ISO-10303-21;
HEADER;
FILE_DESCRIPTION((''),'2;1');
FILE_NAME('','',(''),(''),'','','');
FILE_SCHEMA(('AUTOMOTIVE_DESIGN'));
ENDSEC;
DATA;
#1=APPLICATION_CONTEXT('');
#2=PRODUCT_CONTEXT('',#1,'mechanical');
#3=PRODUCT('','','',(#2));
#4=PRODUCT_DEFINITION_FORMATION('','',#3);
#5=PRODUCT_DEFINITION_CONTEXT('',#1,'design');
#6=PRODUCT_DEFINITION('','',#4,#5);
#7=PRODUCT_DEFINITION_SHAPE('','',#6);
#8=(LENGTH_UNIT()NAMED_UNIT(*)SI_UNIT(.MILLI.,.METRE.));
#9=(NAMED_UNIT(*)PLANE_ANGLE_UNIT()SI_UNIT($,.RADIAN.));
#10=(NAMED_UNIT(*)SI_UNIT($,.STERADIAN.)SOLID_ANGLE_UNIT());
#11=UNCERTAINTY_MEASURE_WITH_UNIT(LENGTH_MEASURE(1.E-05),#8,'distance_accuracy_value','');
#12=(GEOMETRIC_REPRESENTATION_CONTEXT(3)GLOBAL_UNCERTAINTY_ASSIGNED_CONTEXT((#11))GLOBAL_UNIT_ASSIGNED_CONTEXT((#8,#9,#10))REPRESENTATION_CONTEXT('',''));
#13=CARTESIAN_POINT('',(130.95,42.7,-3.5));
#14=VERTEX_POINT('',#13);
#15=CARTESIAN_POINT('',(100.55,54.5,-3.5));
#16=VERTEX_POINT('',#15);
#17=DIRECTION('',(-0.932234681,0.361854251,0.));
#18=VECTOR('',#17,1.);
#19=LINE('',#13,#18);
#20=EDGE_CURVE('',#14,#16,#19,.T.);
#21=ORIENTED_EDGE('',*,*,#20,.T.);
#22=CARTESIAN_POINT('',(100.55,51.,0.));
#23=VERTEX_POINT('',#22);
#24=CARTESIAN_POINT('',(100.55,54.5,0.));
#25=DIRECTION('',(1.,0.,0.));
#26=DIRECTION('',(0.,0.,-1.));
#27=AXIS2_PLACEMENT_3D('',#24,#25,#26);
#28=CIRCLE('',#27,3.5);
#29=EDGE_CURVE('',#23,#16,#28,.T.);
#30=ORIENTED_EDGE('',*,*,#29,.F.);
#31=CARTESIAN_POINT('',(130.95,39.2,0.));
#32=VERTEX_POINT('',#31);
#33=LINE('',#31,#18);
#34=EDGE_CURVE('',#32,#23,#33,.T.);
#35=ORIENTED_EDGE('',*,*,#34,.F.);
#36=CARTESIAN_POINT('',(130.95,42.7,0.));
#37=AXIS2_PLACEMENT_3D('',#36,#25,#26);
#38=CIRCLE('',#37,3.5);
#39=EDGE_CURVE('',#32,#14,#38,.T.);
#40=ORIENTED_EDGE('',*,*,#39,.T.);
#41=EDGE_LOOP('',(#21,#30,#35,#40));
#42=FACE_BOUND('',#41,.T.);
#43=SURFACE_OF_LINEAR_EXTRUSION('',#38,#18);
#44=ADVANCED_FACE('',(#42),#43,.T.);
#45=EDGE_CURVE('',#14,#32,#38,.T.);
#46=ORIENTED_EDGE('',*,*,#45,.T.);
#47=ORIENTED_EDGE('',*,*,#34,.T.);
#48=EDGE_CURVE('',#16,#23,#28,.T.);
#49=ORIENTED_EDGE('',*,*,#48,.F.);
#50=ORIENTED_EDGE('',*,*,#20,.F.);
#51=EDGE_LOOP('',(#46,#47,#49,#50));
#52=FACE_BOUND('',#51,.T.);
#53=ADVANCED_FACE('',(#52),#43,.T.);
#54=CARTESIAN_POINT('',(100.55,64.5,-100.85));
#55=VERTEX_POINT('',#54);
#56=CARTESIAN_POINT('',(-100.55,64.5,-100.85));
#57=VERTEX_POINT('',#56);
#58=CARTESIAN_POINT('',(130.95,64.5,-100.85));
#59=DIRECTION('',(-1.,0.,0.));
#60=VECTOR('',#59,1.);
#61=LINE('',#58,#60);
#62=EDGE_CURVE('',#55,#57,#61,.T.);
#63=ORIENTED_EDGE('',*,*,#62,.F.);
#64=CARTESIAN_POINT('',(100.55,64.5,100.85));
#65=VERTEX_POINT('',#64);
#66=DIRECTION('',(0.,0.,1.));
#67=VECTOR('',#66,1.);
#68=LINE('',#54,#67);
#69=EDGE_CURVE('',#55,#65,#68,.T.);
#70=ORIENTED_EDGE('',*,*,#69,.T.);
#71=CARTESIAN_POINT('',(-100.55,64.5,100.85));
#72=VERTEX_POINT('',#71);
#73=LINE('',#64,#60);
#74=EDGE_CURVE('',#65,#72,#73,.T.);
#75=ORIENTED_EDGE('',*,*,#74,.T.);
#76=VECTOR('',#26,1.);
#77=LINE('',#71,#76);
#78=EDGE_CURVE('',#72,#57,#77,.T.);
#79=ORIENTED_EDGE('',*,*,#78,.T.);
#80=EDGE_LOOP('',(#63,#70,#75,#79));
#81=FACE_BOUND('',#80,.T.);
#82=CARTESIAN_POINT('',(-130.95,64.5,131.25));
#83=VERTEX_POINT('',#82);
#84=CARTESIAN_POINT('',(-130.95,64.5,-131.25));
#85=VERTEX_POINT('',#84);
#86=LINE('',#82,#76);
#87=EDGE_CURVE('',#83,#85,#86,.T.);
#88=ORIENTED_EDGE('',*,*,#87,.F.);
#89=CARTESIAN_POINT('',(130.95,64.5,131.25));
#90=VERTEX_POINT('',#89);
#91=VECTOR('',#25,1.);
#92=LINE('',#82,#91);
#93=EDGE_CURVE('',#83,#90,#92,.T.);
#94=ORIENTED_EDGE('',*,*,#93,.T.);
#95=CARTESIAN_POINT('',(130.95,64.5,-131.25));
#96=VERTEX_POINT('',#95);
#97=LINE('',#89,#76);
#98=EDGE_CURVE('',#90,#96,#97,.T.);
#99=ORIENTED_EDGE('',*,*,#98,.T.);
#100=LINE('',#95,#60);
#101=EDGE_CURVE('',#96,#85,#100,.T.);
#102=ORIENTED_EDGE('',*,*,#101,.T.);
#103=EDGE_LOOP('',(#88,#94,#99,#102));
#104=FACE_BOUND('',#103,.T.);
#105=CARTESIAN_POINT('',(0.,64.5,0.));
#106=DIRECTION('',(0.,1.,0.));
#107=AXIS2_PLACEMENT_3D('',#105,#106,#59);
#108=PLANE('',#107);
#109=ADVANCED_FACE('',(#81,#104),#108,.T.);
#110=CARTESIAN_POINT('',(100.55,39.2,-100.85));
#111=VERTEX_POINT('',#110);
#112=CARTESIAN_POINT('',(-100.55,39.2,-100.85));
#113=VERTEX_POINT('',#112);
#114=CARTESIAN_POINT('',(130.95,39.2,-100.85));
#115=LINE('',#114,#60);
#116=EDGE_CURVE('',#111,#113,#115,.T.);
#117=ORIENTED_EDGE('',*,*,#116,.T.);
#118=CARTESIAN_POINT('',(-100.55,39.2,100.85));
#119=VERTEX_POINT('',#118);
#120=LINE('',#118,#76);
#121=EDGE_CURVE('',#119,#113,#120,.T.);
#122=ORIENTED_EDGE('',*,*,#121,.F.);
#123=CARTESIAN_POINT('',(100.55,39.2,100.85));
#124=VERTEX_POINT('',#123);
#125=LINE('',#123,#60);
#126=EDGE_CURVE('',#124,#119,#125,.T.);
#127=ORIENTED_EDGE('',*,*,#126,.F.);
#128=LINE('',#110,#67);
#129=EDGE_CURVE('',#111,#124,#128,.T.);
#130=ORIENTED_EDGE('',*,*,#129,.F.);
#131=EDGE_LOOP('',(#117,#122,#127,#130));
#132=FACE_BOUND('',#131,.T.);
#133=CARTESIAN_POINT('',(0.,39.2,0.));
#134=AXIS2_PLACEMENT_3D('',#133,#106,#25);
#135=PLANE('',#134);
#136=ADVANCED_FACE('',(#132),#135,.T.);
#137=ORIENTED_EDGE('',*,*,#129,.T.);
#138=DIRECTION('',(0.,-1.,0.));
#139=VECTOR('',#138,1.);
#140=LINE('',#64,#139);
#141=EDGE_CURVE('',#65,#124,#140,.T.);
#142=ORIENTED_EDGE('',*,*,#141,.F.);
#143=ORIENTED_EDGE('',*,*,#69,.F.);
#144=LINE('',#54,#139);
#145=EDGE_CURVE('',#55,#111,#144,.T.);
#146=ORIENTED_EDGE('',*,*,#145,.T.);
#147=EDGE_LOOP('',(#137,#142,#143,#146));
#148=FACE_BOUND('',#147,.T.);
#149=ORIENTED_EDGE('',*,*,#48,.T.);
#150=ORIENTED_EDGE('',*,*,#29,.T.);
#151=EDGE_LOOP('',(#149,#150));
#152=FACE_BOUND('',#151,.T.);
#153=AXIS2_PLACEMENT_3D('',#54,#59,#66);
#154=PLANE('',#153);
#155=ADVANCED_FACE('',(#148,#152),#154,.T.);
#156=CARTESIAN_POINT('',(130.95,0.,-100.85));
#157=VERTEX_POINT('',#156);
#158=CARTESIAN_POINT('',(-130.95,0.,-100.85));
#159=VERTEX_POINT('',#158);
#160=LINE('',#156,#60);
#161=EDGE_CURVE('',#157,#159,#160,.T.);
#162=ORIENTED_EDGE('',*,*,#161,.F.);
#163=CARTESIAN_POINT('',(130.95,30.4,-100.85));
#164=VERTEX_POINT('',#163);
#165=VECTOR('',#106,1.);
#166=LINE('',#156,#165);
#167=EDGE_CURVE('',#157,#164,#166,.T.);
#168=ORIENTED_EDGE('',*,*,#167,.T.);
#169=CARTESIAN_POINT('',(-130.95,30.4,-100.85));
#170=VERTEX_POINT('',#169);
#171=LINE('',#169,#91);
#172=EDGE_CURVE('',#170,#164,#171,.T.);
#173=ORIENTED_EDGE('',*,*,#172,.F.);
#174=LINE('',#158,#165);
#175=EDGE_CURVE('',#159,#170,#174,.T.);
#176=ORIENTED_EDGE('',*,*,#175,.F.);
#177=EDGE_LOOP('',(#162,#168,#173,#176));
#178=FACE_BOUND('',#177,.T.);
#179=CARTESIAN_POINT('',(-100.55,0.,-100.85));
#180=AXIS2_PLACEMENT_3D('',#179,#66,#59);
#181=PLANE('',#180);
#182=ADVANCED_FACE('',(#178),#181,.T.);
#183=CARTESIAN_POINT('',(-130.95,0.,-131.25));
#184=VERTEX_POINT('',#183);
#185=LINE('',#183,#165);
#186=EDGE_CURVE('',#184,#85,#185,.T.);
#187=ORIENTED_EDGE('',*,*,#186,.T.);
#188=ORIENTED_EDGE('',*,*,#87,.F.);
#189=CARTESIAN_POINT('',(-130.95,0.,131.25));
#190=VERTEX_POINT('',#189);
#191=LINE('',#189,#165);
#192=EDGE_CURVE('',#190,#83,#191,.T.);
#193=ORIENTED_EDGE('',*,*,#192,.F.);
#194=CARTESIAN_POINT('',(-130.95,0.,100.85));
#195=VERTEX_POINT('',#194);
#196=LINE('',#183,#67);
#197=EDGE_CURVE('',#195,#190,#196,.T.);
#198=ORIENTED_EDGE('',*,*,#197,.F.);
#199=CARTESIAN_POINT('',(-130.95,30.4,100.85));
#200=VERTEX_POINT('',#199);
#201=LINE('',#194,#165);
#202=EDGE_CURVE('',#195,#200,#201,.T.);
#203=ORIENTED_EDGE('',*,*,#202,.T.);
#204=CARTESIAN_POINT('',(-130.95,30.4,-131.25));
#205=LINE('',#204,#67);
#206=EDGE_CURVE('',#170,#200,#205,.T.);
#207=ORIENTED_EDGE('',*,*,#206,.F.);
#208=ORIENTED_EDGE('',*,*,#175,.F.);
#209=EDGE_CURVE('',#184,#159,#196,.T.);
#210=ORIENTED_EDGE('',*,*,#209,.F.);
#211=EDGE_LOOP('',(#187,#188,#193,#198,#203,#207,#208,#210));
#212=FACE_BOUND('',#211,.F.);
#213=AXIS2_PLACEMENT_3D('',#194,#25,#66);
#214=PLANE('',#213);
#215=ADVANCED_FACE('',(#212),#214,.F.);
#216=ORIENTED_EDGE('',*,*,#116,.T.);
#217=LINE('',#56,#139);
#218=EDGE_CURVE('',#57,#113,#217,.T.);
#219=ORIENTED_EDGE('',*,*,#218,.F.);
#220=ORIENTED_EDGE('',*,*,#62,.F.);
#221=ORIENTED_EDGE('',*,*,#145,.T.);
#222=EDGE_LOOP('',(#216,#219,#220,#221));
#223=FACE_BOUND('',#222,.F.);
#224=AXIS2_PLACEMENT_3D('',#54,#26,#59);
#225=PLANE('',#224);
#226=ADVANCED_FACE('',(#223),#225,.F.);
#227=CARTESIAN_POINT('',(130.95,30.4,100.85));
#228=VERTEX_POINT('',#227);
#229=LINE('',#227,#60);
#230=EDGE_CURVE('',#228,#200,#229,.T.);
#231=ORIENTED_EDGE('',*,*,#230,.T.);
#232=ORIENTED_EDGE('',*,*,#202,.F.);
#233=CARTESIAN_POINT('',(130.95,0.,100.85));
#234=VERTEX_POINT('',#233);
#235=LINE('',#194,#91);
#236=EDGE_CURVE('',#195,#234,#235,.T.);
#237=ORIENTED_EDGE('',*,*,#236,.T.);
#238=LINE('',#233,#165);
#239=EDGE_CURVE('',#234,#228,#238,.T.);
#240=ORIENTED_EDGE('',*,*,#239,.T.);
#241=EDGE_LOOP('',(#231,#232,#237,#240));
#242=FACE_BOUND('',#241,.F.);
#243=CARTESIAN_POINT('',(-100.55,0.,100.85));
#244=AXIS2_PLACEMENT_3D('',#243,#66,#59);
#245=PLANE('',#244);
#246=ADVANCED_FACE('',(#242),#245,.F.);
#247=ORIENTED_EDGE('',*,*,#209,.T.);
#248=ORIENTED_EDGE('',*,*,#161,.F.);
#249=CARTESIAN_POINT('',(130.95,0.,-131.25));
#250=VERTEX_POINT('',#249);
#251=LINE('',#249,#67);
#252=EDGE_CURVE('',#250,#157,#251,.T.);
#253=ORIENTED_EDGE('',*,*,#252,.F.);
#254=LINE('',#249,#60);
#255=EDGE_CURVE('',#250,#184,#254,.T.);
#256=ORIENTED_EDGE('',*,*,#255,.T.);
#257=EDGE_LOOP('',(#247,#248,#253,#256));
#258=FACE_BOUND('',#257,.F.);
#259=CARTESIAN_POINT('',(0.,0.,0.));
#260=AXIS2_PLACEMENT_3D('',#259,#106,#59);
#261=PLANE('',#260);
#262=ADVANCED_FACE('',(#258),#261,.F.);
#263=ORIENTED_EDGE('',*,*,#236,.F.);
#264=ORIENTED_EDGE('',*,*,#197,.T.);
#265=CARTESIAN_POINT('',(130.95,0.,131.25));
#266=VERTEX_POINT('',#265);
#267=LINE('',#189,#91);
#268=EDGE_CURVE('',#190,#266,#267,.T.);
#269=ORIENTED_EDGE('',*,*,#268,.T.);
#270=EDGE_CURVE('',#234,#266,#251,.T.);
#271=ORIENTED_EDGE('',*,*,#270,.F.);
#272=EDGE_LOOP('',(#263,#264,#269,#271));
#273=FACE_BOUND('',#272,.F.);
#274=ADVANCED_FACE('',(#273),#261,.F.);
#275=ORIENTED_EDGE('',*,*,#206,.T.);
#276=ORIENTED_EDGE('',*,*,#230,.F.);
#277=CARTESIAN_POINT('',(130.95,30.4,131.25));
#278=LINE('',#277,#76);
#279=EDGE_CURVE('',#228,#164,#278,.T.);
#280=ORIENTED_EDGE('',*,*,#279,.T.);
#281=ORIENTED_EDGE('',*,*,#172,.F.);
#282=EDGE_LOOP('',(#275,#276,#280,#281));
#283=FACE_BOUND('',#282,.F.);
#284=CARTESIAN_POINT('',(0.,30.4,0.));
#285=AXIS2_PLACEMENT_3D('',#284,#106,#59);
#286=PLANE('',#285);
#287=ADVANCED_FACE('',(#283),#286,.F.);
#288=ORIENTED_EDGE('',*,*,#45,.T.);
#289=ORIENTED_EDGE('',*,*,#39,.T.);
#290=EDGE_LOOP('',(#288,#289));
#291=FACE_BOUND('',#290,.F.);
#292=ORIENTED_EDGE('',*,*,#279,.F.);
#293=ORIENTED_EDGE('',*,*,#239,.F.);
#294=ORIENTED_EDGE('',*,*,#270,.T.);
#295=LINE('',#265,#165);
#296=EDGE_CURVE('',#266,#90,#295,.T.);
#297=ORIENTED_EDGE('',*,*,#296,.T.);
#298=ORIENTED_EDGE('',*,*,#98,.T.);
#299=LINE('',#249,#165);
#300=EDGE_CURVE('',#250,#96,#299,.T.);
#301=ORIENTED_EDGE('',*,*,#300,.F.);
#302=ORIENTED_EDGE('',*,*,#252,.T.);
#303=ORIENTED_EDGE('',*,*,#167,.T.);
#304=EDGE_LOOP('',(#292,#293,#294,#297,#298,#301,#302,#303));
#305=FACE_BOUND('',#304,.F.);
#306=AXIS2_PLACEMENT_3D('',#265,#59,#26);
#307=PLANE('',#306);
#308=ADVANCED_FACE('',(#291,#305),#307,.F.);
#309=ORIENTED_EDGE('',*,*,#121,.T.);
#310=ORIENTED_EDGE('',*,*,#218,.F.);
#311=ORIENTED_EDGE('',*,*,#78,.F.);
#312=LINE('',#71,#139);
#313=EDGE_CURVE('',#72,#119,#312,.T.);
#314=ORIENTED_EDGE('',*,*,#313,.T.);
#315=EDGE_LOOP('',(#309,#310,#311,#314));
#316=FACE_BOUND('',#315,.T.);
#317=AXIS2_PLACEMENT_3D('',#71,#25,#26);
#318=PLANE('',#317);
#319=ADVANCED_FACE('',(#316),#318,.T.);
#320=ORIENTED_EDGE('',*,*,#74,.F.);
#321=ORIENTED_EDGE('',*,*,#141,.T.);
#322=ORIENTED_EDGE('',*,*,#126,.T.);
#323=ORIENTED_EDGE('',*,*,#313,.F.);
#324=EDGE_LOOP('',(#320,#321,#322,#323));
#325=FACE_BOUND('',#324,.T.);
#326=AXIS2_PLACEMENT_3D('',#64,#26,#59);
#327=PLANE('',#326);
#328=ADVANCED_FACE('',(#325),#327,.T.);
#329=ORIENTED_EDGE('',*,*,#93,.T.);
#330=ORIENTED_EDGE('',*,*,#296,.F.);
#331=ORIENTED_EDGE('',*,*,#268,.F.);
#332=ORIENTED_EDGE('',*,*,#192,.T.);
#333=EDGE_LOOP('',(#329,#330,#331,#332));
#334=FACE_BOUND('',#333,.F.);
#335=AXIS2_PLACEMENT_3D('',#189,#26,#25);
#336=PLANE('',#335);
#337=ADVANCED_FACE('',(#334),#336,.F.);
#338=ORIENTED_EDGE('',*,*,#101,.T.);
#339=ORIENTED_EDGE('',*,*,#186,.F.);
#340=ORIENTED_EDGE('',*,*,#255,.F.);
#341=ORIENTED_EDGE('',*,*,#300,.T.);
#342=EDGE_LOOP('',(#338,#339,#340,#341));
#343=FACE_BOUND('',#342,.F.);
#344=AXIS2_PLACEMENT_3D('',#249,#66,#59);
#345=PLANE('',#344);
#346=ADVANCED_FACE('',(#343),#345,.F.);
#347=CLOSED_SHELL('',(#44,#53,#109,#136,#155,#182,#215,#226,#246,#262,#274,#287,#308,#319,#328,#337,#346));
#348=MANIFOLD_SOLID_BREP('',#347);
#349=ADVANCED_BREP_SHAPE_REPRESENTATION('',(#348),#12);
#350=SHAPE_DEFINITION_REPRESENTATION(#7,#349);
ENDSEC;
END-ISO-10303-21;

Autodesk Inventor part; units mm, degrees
ref_plane "YZ Plane" through (0, 0, 0) normal (1, 0, 0) x (0, 1, 0)
ref_plane "XZ Plane" through (0, 0, 0) normal (0, 1, 0) x (-1, 0, 0)
ref_plane "XY Plane" through (0, 0, 0) normal (0, 0, 1) x (1, 0, 0)
sketch "Esboço1" plane through (0, 0, 0) normal (0, 1, 0) x (-1, 0, 0)
  line L0 (130.95, 131.25) -> (-130.95, 131.25)
  line L1 (-130.95, 131.25) -> (-130.95, -131.25)
  line L2 (-130.95, -131.25) -> (130.95, -131.25)
  line L3 (130.95, -131.25) -> (130.95, 131.25)
  line L4 (130.95, 131.25) -> (-130.95, -131.25) construction
  line L5 (-130.95, 131.25) -> (130.95, -131.25) construction
  line L6 (-100.55, 100.85) -> (100.55, 100.85)
  line L7 (100.55, 100.85) -> (100.55, -100.85)
  line L8 (100.55, -100.85) -> (-100.55, -100.85)
  line L9 (-100.55, -100.85) -> (-100.55, 100.85)
  line L10 (100.55, 100.85) -> (130.95, 100.85)
  line L11 (-100.55, 100.85) -> (-130.95, 100.85)
  line L12 (100.55, -100.85) -> (130.95, -100.85)
  line L13 (-100.55, -100.85) -> (-130.95, -100.85)
  point P0 (0, 0)
  dimension "d0" = 261.9
  dimension "d1" = 262.5
  dimension "d2" = 30.4
extrude "Extrusão1" add sketch "Esboço1" along normal blind 64.5
extrude "Extrusão2" cut sketch "Esboço1" along normal blind 30.4 contours L3 L12 L7 L10 | L11 L9 L13 L1 | L7 L8 L9 L6
sketch "Esboço2" plane through (0, 64.5, 0) normal (0, 1, 0) x (1, 0, 0)
  line L0 (130.95, 131.25) -> (-130.95, 131.25) projected
  line L1 (-130.95, 131.25) -> (-130.95, -131.25) projected
  line L2 (-130.95, -131.25) -> (130.95, -131.25) projected
  line L3 (130.95, -131.25) -> (130.95, 131.25) projected
  line L4 (130.95, -131.25) -> (130.95, 131.25) projected
  line L5 (100.55, 100.85) -> (100.55, -100.85) projected
  line L6 (100.55, -100.85) -> (-100.55, -100.85) projected
  line L7 (-100.55, -100.85) -> (-100.55, 100.85) projected
  line L8 (130.95, 100.85) -> (-130.95, 100.85) projected
  point P0 (0, 0)
extrude "Extrusão3" cut sketch "Esboço2" against normal blind 25.3 contours L5 L6 L7 L8
sketch "Esboço3" plane through (130.95, 0, -131.25) normal (1, 0, 0) x (0, 0, -1)
  line L0 (-232.1, 30.4) -> (-30.4, 30.4) projected
  line L1 (-131.25, 30.4) -> (-131.25, 64.5) construction
  line L2 (-262.5, 64.5) -> (0, 64.5) projected
  line L3 (-232.1, 0) -> (-232.1, 30.4) projected
  line L4 (-232.1, 30.4) -> (-30.4, 30.4) projected
  line L5 (-30.4, 30.4) -> (-30.4, 0) projected
  line L6 (-30.4, 0) -> (0, 0) projected
  line L7 (0, 0) -> (0, 64.5) projected
  line L8 (-262.5, 64.5) -> (0, 64.5) projected
  line L9 (-262.5, 0) -> (-262.5, 64.5) projected
  line L10 (-262.5, 0) -> (-232.1, 0) projected
  line L11 (-232.1, 39.2) -> (-30.4, 39.2) projected
  circle A0 centre (-131.25, 42.7) radius 3.5
  point P0 (-131.25, 0)
  dimension "d9" = 7
sketch "Esboço4" plane through (100.55, 64.5, -100.85) normal (-1, 0, 0) x (0, 0, 1)
  circle A0 centre (100.85, -21.8) radius 3.5 projected
  circle A1 centre (100.85, -10) radius 3.5
  line L0 (232.1, 0) -> (-30.4, 0) projected
  line L1 (100.85, 0) -> (100.85, -10) construction
  point P0 (100.85, -64.5)
  dimension "d10" = 7
  dimension "d11" = 10
sketch3d "Esboço 3D1"
  line L0 (130.95, 42.7, 0) -> (100.55, 54.5, 0)
sweep "Varredura1" cut profiles "Esboço3" path "Esboço 3D1" contours A0
properties part number "FundoColmeia"
